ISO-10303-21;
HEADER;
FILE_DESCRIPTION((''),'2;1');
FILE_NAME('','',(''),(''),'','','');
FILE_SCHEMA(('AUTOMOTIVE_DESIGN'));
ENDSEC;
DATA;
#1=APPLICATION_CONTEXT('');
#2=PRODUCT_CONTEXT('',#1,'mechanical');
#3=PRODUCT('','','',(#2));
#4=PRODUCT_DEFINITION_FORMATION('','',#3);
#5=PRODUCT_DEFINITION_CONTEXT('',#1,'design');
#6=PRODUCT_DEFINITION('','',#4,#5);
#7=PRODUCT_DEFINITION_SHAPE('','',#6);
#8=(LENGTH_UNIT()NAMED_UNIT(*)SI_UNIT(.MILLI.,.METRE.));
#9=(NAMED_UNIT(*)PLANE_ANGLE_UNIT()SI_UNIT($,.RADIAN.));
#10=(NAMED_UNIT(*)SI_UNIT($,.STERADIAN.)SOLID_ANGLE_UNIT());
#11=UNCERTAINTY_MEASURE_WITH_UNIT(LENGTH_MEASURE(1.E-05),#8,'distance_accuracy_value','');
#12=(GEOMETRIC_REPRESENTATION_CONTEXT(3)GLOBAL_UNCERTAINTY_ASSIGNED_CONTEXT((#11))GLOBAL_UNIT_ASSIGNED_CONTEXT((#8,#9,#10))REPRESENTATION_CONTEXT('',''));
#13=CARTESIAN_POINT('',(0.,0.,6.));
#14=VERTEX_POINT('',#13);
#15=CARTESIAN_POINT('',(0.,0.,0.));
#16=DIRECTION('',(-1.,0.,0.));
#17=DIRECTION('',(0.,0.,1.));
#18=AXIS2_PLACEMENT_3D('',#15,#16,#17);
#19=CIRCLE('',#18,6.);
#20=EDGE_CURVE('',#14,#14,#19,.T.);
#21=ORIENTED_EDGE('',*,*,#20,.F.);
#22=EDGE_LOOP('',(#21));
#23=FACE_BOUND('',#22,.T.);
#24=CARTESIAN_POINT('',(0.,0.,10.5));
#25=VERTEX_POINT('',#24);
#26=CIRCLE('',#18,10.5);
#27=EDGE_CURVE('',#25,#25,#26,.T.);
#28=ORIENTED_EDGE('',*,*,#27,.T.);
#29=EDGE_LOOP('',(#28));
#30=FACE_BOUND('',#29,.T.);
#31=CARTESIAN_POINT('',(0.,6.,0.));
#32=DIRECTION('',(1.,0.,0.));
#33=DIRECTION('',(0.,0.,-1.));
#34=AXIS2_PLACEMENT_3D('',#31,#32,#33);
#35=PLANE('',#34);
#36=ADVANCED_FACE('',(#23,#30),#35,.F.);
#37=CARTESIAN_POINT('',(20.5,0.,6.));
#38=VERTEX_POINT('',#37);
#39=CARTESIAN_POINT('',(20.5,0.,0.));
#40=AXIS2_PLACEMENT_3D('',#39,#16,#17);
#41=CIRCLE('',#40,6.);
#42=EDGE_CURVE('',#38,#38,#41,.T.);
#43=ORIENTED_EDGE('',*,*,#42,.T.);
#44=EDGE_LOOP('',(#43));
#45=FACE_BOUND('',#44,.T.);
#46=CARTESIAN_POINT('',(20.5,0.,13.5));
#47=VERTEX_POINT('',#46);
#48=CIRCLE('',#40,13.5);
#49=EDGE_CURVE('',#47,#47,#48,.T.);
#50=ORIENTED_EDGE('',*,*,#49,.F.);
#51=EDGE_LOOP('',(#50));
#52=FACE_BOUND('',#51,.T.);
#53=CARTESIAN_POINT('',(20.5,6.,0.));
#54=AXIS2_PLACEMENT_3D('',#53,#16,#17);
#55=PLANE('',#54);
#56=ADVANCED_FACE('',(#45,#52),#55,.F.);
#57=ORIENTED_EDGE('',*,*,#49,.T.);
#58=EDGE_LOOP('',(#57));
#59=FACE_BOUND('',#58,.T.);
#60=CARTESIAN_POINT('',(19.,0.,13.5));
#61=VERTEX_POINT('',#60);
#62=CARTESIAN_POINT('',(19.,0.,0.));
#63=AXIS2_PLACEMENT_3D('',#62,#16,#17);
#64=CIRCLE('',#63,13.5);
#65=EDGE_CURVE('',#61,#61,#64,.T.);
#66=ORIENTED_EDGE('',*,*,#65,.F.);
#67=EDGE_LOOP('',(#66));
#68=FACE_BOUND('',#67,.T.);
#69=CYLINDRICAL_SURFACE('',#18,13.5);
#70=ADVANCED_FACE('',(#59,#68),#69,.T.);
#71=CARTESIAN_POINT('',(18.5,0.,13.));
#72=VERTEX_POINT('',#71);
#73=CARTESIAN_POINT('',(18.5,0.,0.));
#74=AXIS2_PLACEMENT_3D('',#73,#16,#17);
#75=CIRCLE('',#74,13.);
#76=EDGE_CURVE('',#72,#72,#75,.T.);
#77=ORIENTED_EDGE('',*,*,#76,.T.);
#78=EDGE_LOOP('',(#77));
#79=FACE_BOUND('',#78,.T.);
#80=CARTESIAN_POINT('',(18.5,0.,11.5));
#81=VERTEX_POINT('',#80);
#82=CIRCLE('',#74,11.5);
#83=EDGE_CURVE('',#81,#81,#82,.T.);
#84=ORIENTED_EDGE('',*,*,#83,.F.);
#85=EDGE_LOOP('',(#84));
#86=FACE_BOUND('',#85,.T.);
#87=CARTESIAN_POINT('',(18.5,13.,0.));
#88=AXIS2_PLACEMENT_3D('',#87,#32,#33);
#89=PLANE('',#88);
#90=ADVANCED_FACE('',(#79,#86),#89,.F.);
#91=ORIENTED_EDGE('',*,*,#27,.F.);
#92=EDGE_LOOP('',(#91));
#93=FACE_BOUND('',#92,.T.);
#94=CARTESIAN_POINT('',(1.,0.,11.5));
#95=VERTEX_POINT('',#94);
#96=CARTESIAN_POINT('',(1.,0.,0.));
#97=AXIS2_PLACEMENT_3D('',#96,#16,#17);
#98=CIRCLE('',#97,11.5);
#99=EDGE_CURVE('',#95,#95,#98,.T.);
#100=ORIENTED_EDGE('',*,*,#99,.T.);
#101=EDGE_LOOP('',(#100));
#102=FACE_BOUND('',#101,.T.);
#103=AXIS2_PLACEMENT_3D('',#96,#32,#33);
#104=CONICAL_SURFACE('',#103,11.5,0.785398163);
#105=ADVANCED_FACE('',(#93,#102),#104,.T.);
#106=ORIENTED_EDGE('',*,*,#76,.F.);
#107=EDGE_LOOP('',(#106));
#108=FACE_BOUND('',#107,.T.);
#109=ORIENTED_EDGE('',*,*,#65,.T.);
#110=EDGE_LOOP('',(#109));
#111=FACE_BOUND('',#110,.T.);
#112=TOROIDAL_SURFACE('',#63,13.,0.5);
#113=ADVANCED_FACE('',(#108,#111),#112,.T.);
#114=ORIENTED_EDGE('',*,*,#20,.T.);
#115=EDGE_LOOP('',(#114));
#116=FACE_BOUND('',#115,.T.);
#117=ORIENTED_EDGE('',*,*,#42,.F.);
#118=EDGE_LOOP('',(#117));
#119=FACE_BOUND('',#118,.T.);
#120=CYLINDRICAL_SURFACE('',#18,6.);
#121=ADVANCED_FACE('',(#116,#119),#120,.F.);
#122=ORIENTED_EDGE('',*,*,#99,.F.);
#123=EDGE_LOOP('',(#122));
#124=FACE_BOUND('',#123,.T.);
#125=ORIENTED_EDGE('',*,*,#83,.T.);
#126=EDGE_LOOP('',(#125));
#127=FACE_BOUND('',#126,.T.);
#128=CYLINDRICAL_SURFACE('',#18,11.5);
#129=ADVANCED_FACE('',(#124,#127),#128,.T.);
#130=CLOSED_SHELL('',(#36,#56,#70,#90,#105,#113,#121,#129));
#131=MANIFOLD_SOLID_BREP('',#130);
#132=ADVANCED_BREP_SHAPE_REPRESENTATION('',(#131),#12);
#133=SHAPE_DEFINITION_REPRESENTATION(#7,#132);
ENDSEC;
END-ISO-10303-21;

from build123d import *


with BuildPart() as part:
    # Esquisse1 → Révolution1 (revolve)
    with BuildSketch(Plane.XY, mode=Mode.PRIVATE) as r_volution1_sk:
        with BuildLine():
            Line((0, 6), (20.5, 6))
            Line((20.5, 6), (20.5, 13.5))
            Line((20.5, 13.5), (19, 13.5))
            ThreePointArc((19, 13.5), (18.646446609, 13.353553391), (18.5, 13))
            Line((18.5, 13), (18.5, 11.5))
            Line((18.5, 11.5), (1, 11.5))
            Line((1, 11.5), (0, 10.5))
            Line((0, 10.5), (0, 6))
        make_face()
    revolve(r_volution1_sk.sketch.rotate(Axis((0, 0, 0), (1, 0, 0)), 90), axis=Axis((0, 0, 0), (1, 0, 0)))  # turned: the seam where the file's is


solid = part.part
